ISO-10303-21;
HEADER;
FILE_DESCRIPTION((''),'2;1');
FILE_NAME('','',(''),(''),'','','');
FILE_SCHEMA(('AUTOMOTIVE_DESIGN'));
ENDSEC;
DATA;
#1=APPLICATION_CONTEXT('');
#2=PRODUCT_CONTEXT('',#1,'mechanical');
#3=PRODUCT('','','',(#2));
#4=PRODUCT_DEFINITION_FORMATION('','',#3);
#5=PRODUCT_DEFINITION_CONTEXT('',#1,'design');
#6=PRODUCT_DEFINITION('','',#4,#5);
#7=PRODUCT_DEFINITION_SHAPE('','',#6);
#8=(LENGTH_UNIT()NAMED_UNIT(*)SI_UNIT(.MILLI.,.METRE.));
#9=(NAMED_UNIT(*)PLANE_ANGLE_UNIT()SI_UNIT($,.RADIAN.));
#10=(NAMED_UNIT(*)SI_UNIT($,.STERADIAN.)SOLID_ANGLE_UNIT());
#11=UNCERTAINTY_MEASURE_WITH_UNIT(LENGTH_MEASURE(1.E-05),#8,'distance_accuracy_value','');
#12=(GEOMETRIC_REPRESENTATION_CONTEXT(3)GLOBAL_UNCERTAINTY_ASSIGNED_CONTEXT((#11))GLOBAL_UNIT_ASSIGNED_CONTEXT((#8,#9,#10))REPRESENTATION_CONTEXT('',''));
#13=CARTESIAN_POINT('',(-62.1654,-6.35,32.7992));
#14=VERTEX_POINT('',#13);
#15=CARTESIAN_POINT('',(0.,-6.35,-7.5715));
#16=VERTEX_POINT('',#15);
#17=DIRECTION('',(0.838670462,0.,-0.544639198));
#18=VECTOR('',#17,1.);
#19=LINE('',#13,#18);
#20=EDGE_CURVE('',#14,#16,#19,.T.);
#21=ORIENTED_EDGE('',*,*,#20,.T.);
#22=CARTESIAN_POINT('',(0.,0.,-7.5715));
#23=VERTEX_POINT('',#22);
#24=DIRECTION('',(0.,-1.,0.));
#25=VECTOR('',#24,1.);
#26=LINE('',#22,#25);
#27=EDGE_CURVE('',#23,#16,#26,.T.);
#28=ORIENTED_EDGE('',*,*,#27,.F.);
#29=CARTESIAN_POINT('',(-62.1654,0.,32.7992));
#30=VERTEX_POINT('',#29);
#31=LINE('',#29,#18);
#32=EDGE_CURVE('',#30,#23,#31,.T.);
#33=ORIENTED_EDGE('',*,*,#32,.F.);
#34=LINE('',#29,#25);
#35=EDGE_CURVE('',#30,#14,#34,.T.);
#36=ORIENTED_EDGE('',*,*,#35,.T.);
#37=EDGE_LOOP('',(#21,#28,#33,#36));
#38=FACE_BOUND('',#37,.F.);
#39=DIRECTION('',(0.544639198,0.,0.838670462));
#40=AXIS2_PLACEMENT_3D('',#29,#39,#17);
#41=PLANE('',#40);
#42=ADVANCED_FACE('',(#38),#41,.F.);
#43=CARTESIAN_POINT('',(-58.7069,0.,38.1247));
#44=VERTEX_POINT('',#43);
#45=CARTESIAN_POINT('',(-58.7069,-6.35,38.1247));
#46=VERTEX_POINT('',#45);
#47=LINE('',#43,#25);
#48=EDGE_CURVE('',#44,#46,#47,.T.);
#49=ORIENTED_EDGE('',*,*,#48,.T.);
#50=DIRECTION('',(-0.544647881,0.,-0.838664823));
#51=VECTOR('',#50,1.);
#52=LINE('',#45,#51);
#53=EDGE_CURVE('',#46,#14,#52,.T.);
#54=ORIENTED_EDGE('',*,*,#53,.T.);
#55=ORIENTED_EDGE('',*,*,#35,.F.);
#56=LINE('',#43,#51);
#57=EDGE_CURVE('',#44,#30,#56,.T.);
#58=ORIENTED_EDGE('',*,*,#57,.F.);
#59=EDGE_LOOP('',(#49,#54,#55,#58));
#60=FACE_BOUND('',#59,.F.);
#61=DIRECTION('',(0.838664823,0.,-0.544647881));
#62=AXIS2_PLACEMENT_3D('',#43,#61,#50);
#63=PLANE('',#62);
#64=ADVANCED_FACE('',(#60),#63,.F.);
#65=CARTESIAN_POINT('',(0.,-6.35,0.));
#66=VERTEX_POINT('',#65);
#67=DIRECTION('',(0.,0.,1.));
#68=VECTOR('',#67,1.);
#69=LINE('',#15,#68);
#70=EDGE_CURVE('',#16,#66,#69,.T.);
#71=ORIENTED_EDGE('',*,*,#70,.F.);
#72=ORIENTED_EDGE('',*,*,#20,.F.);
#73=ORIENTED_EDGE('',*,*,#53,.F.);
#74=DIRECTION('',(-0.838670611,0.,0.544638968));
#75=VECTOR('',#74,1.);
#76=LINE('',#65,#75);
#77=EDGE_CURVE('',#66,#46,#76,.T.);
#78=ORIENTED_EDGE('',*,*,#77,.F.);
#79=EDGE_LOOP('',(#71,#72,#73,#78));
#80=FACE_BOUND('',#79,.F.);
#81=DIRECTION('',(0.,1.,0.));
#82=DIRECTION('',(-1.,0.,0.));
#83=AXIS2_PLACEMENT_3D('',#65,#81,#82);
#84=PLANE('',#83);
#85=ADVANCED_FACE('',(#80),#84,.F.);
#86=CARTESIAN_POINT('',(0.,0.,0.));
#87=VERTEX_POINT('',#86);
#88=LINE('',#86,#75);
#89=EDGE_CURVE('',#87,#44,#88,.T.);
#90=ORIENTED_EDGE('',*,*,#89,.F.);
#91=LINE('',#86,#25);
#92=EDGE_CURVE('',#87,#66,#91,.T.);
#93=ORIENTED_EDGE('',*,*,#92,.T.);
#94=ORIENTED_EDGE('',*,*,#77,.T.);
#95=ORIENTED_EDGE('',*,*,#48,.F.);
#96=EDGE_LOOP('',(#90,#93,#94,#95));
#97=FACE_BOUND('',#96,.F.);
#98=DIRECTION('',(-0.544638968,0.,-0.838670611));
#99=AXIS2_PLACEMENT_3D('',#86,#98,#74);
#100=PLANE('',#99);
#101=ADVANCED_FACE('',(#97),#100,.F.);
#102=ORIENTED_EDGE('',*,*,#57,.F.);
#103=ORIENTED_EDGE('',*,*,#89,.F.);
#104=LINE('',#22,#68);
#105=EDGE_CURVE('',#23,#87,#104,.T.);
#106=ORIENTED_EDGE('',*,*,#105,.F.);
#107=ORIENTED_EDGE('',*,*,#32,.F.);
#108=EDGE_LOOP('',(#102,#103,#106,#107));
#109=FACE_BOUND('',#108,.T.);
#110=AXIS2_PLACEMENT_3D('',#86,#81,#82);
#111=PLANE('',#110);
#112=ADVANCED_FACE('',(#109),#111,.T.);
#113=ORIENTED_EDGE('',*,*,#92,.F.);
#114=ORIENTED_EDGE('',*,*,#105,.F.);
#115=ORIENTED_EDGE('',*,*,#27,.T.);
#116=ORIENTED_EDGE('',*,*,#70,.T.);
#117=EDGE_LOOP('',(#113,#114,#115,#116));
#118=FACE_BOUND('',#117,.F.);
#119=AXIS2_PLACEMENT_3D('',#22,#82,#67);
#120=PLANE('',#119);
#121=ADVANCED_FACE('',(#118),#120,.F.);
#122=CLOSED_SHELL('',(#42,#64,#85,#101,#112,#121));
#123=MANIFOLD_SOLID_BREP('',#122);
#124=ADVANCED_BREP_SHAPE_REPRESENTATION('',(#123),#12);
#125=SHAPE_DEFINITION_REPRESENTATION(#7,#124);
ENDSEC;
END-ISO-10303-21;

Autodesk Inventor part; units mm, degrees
ref_plane "YZ Plane" through (0, 0, 0) normal (1, 0, 0) x (0, 1, 0)
ref_plane "XZ Plane" through (0, 0, 0) normal (0, 1, 0) x (-1, 0, 0)
ref_plane "XY Plane" through (0, 0, 0) normal (0, 0, 1) x (1, 0, 0)
sketch "Sketch1" plane through (0, 0, 0) normal (0, 1, 0) x (-1, 0, 0)
  line L0 (0, 0) -> (58.7069, 38.1247)
  line L1 (0, 0) -> (70, 0) construction
  line L2 (58.7069, 38.1247) -> (62.1654, 32.7992)
  line L3 (62.1654, 32.7992) -> (0, -7.5715)
  line L4 (0, -7.5715) -> (0, 0)
  dimension "d0" = 70
  dimension "d1" = 33
  dimension "d2" = 6.35
extrude "Extrusion1" add sketch "Sketch1" against normal blind 6.35
properties part number "UpperInnerWD2"
